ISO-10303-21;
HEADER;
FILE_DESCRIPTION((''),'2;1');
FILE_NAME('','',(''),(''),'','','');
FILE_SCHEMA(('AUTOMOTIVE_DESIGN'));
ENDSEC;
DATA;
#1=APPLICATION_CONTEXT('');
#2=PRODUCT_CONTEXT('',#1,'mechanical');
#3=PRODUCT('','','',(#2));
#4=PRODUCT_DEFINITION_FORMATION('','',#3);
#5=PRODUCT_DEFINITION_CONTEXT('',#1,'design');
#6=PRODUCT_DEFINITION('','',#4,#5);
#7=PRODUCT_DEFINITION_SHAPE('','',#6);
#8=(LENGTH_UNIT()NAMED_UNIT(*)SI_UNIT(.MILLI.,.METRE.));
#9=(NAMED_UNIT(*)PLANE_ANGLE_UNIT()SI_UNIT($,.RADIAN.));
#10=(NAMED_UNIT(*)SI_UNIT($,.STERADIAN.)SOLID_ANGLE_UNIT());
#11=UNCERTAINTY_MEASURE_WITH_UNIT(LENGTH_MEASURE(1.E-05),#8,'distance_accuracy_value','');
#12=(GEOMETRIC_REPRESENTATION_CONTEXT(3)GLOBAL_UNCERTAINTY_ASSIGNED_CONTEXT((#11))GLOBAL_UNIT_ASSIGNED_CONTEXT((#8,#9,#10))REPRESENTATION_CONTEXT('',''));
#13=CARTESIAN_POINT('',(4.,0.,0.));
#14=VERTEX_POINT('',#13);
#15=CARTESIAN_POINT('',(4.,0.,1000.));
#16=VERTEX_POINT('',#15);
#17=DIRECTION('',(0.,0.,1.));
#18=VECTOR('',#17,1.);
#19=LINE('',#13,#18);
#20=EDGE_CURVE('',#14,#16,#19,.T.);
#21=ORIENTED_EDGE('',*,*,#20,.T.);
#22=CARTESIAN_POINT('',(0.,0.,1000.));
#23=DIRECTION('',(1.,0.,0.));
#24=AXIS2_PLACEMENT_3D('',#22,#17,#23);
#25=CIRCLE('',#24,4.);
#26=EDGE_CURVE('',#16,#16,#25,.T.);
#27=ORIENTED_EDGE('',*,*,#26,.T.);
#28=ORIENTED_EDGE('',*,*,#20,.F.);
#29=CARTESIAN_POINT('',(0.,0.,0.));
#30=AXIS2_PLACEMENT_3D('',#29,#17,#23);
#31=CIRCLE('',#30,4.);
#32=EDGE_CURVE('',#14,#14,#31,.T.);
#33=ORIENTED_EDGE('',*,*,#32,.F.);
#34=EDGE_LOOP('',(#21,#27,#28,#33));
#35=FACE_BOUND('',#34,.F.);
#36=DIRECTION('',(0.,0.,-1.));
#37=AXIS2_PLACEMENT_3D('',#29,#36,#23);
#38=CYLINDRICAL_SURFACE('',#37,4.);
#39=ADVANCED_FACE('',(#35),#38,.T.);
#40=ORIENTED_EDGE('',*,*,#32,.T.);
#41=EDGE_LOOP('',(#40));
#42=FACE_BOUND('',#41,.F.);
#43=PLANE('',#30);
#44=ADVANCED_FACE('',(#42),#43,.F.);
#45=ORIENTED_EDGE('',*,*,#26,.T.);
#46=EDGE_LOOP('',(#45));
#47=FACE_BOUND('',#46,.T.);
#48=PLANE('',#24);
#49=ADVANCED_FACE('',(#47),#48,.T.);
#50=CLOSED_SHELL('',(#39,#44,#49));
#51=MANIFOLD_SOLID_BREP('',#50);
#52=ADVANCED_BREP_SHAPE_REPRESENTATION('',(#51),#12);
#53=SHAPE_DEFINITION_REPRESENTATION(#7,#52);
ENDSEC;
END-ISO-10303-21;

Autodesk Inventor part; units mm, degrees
ref_plane "YZ Plane" through (0, 0, 0) normal (1, 0, 0) x (0, 1, 0)
ref_plane "XZ Plane" through (0, 0, 0) normal (0, 1, 0) x (-1, 0, 0)
ref_plane "XY Plane" through (0, 0, 0) normal (0, 0, 1) x (1, 0, 0)
sketch "Sketch1" plane through (0, 0, 0) normal (0, 0, 1) x (1, 0, 0)
  circle A0 centre (0, 0) radius 4
  dimension "d0" = 8
extrude "Extrusion1" add sketch "Sketch1" along normal blind 1000
thread "Thread1" size "M8x1.25" class "6g" standard "ANSI Metric M Profile" full length
properties part number "8mm_1000mm_lead"
